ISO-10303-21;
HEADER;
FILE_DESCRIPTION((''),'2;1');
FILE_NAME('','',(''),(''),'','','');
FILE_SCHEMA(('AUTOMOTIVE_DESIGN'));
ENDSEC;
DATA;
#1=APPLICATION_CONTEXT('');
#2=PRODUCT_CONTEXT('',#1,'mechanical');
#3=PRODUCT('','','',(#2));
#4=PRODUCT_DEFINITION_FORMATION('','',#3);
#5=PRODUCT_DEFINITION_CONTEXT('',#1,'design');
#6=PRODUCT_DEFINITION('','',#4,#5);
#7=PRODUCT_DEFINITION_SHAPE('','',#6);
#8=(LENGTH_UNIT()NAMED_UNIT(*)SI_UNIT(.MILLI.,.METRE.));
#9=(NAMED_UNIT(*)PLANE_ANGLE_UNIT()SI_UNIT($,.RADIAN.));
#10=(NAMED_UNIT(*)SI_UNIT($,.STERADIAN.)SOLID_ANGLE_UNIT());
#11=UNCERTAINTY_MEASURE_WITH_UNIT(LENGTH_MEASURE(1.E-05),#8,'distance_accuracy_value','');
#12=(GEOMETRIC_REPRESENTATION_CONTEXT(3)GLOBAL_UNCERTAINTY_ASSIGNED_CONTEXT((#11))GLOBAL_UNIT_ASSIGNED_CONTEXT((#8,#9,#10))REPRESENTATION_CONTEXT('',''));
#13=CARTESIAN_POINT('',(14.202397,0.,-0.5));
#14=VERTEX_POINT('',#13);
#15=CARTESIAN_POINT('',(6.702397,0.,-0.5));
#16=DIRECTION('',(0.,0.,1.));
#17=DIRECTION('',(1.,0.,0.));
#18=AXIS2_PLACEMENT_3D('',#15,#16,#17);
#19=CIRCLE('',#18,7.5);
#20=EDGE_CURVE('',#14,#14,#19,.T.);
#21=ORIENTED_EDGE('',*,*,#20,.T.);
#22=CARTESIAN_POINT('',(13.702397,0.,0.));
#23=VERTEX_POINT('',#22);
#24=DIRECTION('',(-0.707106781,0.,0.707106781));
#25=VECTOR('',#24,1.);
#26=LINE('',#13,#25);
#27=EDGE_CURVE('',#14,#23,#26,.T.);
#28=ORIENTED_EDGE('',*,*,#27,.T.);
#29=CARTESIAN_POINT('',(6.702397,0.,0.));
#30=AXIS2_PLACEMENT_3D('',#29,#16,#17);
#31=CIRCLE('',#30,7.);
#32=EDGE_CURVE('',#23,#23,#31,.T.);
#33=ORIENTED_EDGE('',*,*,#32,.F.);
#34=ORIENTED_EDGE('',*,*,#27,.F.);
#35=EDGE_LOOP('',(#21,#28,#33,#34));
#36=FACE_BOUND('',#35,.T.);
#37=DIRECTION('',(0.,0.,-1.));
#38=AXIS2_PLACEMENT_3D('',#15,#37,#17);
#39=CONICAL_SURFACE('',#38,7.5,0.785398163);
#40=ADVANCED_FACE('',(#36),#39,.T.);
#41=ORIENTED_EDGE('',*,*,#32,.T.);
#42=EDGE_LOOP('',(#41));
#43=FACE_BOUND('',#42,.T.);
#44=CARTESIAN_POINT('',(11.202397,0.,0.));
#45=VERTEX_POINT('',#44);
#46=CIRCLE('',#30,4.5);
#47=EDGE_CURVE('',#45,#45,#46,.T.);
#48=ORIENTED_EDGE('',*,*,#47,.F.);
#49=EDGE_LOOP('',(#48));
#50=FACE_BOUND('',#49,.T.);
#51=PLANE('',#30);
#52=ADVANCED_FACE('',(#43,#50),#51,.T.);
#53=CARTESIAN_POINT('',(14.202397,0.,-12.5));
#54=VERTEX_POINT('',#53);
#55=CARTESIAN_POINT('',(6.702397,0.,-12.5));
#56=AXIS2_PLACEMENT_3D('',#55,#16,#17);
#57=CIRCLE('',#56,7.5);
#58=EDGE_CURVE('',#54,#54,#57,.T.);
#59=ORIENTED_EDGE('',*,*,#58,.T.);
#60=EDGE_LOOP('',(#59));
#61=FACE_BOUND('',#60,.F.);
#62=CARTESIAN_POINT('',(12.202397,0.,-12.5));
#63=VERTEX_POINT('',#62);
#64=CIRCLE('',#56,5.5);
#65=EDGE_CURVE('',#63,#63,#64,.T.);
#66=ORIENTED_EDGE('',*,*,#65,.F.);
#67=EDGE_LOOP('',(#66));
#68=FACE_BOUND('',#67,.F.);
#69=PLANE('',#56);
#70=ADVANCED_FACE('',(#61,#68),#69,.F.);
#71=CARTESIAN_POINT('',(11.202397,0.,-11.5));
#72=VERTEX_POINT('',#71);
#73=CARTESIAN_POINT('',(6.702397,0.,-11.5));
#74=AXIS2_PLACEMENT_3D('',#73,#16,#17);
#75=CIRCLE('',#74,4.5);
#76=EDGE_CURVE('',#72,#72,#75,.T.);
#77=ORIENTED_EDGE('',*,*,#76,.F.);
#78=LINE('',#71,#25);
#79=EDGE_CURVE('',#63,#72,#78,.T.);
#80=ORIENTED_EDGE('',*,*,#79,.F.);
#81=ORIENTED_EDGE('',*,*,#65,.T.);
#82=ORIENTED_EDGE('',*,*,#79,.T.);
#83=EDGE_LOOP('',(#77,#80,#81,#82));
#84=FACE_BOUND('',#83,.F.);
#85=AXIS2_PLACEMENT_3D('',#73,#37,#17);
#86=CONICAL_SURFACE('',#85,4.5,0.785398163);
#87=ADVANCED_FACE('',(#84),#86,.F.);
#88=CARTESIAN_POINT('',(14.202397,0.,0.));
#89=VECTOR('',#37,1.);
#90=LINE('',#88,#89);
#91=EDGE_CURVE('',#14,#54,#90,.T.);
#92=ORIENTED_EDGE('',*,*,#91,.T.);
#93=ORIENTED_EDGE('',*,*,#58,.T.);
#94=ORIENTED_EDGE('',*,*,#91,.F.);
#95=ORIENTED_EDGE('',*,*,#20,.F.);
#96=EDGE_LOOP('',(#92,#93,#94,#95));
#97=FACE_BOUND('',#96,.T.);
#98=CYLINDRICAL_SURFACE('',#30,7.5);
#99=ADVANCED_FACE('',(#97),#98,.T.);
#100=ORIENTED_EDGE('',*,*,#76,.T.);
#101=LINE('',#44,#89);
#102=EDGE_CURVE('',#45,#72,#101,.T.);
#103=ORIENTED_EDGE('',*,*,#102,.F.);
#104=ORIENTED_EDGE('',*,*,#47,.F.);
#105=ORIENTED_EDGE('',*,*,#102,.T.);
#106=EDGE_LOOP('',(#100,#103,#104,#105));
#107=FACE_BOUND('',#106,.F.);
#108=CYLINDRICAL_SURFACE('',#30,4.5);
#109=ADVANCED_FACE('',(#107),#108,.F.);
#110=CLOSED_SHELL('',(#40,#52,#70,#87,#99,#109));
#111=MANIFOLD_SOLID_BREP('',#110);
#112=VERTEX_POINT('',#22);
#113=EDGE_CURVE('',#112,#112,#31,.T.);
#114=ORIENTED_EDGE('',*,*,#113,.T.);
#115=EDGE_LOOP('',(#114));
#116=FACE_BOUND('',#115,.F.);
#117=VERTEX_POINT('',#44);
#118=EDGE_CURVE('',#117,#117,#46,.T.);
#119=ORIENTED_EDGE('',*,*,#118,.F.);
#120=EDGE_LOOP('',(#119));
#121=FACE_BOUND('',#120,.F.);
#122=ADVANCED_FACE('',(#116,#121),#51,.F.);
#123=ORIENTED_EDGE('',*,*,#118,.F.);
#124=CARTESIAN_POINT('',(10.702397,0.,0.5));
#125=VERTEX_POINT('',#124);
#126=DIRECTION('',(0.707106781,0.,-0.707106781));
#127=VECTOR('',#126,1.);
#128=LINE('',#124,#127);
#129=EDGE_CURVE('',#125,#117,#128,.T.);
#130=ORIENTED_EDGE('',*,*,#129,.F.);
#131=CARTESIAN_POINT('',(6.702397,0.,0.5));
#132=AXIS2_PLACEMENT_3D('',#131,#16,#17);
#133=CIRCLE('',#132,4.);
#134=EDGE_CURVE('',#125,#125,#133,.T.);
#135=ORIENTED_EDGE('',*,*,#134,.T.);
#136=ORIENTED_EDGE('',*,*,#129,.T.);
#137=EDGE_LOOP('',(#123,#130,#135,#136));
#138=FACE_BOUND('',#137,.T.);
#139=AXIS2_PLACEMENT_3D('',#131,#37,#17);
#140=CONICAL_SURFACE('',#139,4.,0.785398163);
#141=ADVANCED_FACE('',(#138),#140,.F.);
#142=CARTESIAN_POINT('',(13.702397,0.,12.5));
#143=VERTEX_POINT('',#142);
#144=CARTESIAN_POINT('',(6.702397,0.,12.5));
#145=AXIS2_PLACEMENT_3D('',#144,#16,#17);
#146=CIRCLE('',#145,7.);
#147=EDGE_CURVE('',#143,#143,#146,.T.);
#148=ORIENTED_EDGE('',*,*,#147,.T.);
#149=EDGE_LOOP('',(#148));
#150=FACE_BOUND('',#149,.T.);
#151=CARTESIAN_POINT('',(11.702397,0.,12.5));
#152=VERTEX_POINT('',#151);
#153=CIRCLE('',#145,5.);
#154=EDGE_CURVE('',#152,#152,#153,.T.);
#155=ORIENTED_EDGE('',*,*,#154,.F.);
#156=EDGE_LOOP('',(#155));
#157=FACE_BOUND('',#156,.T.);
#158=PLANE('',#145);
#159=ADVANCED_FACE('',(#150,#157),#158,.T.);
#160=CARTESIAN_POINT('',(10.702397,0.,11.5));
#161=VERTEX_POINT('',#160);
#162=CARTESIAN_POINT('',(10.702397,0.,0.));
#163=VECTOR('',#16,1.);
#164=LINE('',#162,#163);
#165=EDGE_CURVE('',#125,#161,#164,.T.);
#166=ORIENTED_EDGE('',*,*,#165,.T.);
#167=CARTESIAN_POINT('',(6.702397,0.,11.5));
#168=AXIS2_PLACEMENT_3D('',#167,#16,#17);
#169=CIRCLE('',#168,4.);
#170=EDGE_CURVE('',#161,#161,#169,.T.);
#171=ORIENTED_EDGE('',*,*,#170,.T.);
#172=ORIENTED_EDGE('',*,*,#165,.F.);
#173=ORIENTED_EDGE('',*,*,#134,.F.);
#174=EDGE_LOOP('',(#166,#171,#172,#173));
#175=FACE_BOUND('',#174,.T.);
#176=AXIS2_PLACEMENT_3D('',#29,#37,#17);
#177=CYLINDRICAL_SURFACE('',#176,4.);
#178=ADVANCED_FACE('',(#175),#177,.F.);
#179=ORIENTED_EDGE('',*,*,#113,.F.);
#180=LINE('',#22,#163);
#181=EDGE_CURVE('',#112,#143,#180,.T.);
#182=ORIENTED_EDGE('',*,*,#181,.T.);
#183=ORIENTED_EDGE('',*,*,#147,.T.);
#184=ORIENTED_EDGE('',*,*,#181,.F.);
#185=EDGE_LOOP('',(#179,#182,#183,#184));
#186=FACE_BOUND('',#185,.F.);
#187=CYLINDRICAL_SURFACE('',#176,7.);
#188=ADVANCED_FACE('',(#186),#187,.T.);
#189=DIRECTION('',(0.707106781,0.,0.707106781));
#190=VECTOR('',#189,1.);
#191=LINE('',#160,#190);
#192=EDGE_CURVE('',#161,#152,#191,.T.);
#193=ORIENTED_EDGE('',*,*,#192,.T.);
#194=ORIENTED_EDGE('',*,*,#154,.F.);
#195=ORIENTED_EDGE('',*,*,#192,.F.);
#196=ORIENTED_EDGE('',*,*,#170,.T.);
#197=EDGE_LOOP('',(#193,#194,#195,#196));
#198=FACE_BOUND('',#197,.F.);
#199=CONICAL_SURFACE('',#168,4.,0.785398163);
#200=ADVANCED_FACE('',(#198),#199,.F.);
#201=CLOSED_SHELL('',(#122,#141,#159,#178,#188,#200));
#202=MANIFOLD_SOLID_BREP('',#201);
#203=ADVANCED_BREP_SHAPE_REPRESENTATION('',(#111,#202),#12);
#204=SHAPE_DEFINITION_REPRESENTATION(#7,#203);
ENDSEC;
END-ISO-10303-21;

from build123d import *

# Parameters (mm, degrees)
F0_R      = 7
F0_R_2    = 4.5
F0_R_3    = 4
F1_DEPTH  = 12.5
F0_R_4    = 7.5
F2_DEPTH  = 12.5
F3_SIZE   = 0.5
F3_2_SIZE = 0.5
F4_SIZE   = 1
F4_2_SIZE = 1


with BuildPart() as f1:
    # F0 (on Top) → F1 (new body)
    with BuildSketch(Plane.XY):
        with Locations((6.702397, 0)):
            Circle(F0_R)
        with Locations((6.702397, 0)):
            Circle(F0_R_2, mode=Mode.SUBTRACT)
        with Locations((6.702397, 0)):
            Circle(F0_R_2)
        with Locations((6.702397, 0)):
            Circle(F0_R_3, mode=Mode.SUBTRACT)
    extrude(amount=F1_DEPTH)

    # F3
    f3_edges = [f1.edges().sort_by_distance(p)[0] for p in [
        (2.702397, 0, 0),
    ]]
    chamfer(f3_edges, length=F3_SIZE)

    # F4#2
    f4_2_edges = [f1.edges().sort_by_distance(p)[0] for p in [
        (2.702397, 0, 12.5),
    ]]
    chamfer(f4_2_edges, length=F4_2_SIZE)


with BuildPart() as f2:
    # F0 (on Top) → F2 (new body)
    with BuildSketch(Plane.XY):
        with Locations((6.702397, 0)):
            Circle(F0_R_4)
        with Locations((6.702397, 0)):
            Circle(F0_R, mode=Mode.SUBTRACT)
        with Locations((6.702397, 0)):
            Circle(F0_R)
        with Locations((6.702397, 0)):
            Circle(F0_R_2, mode=Mode.SUBTRACT)
    extrude(amount=-F2_DEPTH)

    # F3#2
    f3_2_edges = [f2.edges().sort_by_distance(p)[0] for p in [
        (-0.797603, 0, 0),
    ]]
    chamfer(f3_2_edges, length=F3_2_SIZE)

    # F4
    f4_edges = [f2.edges().sort_by_distance(p)[0] for p in [
        (2.202397, 0, -12.5),
    ]]
    chamfer(f4_edges, length=F4_SIZE)


solid = Compound([f1.part, f2.part])
